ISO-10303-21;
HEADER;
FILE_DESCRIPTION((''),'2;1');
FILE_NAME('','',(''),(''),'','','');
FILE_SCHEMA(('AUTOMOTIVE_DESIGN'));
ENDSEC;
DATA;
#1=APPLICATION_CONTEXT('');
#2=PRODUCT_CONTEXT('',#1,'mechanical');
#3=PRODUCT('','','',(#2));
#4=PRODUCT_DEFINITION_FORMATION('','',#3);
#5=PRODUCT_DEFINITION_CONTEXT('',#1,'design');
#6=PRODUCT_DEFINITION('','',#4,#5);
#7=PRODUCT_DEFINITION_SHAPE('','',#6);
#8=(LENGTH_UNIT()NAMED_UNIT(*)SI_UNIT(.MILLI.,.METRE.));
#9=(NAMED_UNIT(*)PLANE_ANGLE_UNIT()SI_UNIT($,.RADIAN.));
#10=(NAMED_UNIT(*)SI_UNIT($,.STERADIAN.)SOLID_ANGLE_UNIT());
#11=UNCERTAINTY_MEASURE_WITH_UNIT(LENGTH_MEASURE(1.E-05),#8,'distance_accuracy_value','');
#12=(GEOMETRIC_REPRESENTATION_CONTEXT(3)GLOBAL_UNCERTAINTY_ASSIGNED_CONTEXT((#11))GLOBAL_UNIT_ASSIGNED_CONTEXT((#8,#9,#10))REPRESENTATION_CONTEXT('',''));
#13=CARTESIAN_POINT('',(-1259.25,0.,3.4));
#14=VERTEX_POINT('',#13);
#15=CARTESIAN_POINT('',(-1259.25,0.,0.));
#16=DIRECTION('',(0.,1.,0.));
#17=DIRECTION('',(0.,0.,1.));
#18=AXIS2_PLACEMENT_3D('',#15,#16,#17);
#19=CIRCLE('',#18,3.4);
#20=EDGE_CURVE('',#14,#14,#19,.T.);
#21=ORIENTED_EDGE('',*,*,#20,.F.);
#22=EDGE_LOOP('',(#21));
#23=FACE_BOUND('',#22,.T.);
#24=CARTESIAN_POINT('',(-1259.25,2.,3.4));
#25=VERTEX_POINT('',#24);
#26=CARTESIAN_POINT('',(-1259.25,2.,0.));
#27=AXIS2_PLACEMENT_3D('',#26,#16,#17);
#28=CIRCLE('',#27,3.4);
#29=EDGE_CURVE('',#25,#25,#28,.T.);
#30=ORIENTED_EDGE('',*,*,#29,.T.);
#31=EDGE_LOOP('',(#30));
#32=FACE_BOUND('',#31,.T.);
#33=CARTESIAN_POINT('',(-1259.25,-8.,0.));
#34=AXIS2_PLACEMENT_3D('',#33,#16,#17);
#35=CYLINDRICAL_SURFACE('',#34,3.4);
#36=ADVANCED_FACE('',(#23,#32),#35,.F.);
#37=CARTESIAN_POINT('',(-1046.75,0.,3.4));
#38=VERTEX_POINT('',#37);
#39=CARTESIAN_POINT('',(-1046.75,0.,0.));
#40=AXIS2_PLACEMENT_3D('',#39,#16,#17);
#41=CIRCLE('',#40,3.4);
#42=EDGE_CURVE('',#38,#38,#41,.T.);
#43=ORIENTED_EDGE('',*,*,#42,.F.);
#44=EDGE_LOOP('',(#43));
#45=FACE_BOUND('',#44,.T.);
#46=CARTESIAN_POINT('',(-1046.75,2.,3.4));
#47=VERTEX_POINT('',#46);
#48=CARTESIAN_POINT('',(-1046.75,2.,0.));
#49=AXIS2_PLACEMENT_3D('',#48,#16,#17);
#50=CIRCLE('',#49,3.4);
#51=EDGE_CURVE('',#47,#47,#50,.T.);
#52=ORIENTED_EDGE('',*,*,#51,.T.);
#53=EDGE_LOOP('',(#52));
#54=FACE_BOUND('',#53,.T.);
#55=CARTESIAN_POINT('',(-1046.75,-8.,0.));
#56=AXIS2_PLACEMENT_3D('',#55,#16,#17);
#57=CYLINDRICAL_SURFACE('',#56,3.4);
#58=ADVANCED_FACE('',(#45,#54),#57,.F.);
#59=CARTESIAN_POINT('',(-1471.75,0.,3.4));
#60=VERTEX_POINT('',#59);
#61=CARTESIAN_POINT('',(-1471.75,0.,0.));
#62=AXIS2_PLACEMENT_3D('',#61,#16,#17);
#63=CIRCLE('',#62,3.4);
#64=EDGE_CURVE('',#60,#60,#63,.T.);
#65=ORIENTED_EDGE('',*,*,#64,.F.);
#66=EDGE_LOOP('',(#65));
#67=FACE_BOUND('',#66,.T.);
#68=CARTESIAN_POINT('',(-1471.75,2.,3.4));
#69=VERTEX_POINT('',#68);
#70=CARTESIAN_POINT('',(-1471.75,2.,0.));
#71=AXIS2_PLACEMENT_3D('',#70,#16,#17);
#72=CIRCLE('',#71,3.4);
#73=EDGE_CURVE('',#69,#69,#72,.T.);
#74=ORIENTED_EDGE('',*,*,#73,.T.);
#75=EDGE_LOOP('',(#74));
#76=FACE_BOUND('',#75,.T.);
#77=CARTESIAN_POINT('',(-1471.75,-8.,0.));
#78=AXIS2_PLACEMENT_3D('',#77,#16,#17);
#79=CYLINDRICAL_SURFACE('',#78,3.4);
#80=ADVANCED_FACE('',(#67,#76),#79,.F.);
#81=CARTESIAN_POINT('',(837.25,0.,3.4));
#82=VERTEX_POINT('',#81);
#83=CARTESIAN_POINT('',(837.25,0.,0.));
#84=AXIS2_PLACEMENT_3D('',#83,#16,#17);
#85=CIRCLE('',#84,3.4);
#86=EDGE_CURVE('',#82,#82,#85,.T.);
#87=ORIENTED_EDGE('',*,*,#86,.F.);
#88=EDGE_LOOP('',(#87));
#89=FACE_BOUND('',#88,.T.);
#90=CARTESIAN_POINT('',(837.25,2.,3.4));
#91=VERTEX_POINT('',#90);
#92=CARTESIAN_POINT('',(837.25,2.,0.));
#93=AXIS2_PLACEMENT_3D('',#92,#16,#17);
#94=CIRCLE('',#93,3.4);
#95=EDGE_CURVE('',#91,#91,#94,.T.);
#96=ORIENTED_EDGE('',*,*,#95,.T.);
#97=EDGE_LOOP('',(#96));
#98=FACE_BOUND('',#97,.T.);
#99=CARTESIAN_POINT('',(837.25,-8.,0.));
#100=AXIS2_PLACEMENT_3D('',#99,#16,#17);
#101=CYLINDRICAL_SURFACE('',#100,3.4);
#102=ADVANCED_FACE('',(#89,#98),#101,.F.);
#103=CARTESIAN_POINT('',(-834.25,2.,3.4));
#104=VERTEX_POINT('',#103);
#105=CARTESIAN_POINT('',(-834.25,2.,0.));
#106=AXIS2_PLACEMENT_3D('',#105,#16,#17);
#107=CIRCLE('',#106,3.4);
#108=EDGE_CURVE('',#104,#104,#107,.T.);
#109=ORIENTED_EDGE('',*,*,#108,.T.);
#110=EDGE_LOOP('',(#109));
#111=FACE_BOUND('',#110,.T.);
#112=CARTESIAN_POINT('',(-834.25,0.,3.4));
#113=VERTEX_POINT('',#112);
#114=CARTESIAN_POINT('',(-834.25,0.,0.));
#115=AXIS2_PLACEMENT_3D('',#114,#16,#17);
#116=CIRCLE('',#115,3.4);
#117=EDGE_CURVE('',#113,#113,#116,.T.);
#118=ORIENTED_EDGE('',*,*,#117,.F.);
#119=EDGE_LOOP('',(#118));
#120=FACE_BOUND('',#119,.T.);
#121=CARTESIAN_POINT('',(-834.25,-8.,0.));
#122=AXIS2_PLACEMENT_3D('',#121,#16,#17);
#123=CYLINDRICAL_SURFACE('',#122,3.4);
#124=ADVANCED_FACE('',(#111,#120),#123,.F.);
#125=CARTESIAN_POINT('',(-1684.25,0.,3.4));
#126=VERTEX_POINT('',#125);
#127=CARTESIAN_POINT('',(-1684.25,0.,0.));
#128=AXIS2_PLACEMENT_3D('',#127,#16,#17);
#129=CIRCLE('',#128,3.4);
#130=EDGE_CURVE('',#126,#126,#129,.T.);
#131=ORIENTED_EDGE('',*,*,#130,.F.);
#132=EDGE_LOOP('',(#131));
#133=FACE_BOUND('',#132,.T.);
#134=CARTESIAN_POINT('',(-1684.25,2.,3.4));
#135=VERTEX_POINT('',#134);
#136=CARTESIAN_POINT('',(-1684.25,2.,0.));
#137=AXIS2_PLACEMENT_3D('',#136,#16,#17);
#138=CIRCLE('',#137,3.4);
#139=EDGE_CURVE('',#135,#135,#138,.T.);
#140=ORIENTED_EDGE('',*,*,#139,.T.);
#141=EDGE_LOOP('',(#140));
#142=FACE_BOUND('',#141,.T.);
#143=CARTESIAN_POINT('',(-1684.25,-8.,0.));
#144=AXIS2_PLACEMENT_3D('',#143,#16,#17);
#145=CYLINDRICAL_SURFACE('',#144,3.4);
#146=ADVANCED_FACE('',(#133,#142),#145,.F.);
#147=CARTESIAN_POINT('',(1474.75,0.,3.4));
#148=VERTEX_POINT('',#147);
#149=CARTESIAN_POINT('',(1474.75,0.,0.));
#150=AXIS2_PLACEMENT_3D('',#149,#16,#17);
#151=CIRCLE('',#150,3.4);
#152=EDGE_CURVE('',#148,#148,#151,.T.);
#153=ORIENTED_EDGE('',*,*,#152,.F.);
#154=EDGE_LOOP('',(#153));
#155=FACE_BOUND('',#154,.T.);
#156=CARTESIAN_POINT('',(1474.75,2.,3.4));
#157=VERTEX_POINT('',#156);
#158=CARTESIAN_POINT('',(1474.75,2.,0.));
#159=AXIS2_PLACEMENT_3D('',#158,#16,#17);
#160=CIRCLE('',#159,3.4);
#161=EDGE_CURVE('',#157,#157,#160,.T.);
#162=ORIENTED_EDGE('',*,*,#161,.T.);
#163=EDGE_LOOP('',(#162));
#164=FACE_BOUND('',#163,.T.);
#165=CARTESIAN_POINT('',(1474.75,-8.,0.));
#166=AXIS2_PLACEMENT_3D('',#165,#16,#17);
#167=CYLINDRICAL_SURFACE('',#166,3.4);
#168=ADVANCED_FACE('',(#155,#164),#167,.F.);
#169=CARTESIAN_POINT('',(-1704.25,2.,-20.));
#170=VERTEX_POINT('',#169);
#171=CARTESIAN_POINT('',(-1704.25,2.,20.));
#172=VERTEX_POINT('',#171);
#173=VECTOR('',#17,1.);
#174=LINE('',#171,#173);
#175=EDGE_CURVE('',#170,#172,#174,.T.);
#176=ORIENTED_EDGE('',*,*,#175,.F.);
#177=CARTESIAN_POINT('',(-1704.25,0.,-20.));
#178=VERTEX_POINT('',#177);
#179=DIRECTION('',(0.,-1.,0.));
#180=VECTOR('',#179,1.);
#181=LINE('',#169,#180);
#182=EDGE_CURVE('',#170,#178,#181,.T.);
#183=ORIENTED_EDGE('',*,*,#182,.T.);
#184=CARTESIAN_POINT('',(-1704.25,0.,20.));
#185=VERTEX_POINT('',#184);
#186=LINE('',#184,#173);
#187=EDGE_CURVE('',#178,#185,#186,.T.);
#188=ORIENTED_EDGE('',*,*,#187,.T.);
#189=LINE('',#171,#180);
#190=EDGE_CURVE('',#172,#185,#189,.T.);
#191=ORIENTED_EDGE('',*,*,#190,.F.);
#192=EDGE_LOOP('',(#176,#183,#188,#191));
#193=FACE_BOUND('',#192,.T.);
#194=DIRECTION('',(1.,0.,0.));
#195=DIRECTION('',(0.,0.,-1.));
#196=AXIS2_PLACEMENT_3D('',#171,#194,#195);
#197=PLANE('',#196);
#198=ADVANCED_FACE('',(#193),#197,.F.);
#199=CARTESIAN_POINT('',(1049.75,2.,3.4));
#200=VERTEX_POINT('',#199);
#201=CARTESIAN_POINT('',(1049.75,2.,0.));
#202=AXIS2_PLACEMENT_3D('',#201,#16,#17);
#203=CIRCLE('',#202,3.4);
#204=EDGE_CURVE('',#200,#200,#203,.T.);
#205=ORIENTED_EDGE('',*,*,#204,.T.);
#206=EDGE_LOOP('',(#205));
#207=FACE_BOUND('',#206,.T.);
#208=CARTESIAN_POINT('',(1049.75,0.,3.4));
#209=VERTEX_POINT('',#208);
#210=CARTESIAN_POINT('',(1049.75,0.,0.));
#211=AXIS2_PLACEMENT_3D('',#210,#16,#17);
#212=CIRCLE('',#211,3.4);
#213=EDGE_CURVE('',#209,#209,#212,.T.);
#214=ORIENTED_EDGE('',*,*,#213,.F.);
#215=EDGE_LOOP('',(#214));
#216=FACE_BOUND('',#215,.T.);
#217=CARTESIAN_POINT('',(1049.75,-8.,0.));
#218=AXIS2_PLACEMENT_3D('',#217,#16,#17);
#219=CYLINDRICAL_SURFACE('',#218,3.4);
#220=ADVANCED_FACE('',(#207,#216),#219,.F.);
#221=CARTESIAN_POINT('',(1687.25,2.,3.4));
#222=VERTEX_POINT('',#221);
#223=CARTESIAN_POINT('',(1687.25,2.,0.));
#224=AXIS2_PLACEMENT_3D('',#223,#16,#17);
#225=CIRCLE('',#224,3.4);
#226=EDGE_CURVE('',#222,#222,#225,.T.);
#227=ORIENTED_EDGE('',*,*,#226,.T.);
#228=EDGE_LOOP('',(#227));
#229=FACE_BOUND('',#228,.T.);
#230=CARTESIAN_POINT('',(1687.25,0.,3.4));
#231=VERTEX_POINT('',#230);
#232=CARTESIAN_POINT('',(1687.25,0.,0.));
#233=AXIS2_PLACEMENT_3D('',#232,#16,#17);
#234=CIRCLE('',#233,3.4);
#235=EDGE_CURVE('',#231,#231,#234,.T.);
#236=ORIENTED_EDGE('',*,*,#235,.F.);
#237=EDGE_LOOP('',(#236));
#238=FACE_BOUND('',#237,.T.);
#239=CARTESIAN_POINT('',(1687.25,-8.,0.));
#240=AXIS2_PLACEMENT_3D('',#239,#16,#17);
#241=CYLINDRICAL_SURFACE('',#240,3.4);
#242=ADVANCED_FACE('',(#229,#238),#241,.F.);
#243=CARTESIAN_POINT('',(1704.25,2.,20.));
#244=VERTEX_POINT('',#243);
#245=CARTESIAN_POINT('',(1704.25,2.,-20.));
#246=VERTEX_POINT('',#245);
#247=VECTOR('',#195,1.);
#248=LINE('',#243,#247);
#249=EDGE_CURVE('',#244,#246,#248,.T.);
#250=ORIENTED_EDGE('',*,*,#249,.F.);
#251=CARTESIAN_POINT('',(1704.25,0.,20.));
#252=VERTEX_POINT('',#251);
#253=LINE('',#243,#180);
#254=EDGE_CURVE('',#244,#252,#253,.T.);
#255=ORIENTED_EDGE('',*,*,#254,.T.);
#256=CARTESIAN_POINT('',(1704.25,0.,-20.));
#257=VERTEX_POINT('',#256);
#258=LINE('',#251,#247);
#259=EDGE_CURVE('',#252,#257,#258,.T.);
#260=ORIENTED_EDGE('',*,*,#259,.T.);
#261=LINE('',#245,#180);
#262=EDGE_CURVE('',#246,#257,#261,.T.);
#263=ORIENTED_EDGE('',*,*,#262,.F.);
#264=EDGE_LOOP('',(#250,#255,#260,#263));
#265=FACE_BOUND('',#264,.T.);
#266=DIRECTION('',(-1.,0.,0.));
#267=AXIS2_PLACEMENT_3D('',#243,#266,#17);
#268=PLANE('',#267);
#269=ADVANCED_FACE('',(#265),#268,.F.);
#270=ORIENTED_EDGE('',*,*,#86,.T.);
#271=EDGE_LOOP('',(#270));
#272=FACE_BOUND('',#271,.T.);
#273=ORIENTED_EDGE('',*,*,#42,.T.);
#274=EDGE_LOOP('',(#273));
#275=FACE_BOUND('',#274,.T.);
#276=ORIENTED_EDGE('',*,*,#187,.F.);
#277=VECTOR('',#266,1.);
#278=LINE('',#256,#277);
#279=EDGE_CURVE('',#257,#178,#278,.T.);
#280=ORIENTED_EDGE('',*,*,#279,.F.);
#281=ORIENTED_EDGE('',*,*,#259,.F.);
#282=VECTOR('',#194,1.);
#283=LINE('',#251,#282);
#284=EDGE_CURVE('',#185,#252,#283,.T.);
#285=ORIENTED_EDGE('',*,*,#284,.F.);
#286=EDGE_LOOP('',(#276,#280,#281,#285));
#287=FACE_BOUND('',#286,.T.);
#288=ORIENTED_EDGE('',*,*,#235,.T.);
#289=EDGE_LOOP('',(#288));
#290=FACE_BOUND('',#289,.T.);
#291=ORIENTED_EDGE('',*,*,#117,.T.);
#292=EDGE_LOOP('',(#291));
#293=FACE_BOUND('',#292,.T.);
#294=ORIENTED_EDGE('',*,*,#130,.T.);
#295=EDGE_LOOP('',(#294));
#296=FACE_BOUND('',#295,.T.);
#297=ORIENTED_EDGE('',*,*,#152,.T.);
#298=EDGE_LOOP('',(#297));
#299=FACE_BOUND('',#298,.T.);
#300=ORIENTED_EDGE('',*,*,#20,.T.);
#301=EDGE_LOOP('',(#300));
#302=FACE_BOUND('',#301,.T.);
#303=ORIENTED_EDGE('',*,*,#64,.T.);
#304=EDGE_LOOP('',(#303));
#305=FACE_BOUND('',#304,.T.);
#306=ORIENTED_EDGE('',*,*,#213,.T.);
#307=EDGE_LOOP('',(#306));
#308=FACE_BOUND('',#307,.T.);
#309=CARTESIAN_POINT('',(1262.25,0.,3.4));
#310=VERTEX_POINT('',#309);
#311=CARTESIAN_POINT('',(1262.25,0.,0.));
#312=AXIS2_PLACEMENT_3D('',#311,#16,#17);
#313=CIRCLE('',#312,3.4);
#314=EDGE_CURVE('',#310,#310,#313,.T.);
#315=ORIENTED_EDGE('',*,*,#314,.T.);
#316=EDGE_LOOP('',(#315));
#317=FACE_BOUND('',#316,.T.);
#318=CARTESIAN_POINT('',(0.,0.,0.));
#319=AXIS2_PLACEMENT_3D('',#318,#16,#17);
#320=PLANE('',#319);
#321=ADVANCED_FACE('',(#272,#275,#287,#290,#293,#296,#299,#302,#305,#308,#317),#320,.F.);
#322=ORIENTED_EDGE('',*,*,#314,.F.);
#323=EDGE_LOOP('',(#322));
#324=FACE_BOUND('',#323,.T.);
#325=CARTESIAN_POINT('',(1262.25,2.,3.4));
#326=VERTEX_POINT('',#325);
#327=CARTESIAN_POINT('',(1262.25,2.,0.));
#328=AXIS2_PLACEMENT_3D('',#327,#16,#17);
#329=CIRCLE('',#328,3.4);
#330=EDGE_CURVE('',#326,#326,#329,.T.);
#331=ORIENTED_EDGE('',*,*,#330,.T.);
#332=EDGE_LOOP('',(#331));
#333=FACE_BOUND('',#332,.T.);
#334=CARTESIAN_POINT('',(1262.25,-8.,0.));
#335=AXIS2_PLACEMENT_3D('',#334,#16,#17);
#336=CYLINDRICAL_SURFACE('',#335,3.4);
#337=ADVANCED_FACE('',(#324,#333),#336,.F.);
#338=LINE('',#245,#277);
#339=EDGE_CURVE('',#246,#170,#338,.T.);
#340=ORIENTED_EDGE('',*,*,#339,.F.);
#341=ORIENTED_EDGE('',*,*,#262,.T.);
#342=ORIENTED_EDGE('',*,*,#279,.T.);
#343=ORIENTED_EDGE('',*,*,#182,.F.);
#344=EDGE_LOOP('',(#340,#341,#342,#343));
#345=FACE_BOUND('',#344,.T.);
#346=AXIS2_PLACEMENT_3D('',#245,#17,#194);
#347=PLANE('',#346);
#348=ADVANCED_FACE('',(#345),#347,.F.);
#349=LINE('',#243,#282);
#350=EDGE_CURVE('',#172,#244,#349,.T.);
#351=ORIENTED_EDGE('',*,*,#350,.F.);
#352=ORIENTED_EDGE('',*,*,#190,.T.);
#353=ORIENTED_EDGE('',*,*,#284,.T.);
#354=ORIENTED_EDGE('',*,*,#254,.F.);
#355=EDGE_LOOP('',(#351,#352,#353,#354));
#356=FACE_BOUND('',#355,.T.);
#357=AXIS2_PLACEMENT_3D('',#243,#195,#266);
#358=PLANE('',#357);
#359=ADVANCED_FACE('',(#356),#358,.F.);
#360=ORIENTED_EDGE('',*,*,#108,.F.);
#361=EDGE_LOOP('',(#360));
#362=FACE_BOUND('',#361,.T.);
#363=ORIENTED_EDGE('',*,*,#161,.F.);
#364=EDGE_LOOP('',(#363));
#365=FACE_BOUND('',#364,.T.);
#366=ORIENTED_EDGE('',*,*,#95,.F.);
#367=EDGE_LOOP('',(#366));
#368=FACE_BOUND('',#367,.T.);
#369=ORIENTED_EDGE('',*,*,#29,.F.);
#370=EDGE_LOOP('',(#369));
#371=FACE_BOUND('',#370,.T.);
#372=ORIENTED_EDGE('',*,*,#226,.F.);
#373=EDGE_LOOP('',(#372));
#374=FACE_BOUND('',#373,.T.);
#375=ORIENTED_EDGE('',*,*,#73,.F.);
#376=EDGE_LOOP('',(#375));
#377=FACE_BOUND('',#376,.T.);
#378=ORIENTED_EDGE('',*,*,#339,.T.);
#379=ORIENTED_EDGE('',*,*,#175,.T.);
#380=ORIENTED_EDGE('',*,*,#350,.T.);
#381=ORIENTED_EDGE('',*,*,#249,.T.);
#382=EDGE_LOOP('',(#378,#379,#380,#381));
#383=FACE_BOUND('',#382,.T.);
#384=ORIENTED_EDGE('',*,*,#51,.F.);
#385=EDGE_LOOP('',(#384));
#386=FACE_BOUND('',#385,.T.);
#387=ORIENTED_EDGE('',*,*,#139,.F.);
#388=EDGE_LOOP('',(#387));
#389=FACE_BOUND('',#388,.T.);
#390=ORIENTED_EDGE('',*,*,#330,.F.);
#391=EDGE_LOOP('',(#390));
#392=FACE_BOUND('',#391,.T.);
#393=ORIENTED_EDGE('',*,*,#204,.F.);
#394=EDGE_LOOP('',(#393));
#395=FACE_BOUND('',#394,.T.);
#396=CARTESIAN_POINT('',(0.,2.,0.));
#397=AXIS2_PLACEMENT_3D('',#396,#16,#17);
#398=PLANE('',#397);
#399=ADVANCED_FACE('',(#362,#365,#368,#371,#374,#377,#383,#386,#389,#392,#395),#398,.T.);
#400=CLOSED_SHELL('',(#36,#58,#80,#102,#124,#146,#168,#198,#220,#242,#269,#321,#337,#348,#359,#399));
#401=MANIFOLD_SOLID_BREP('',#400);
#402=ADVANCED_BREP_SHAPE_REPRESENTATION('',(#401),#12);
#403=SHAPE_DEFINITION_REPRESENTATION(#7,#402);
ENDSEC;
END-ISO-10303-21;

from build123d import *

# Parameters (mm, degrees)
SKETCH1_W           = 3408.5
SKETCH1_H           = 40
BOSS_EXTRUDE1_DEPTH = 2
SKETCH2_R           = 3.4
CUT_EXTRUDE1_DEPTH  = 10


with BuildPart() as part:
    # Sketch1 → Boss-Extrude1 (new body)
    with BuildSketch(Plane(origin=(0, 0, 0), x_dir=(1, 0, 0), z_dir=(0, 1, 0))):
        Rectangle(SKETCH1_W, SKETCH1_H)
    extrude(amount=BOSS_EXTRUDE1_DEPTH)

    # Sketch2 → Cut-Extrude1 (cut)
    with BuildSketch(Plane(origin=(0, 2, 0), x_dir=(1, 0, 0), z_dir=(0, 1, 0))):
        with Locations(Location((-1684.25, 0, 0), (0, 0, 270))):
            Circle(SKETCH2_R)
        with Locations(Location((-1471.75, 0, 0), (0, 0, 270))):
            Circle(SKETCH2_R)
        with Locations(Location((-1259.25, 0, 0), (0, 0, 270))):
            Circle(SKETCH2_R)
        with Locations(Location((-1046.75, 0, 0), (0, 0, 270))):
            Circle(SKETCH2_R)
        with Locations(Location((-834.25, 0, 0), (0, 0, 270))):
            Circle(SKETCH2_R)
        with Locations(Location((1687.25, 0, 0), (0, 0, 270))):
            Circle(SKETCH2_R)
        with Locations(Location((1474.75, 0, 0), (0, 0, 270))):
            Circle(SKETCH2_R)
        with Locations(Location((1262.25, 0, 0), (0, 0, 270))):
            Circle(SKETCH2_R)
        with Locations(Location((1049.75, 0, 0), (0, 0, 270))):
            Circle(SKETCH2_R)
        with Locations(Location((837.25, 0, 0), (0, 0, 270))):
            Circle(SKETCH2_R)
    extrude(amount=-CUT_EXTRUDE1_DEPTH, mode=Mode.SUBTRACT)


solid = part.part
